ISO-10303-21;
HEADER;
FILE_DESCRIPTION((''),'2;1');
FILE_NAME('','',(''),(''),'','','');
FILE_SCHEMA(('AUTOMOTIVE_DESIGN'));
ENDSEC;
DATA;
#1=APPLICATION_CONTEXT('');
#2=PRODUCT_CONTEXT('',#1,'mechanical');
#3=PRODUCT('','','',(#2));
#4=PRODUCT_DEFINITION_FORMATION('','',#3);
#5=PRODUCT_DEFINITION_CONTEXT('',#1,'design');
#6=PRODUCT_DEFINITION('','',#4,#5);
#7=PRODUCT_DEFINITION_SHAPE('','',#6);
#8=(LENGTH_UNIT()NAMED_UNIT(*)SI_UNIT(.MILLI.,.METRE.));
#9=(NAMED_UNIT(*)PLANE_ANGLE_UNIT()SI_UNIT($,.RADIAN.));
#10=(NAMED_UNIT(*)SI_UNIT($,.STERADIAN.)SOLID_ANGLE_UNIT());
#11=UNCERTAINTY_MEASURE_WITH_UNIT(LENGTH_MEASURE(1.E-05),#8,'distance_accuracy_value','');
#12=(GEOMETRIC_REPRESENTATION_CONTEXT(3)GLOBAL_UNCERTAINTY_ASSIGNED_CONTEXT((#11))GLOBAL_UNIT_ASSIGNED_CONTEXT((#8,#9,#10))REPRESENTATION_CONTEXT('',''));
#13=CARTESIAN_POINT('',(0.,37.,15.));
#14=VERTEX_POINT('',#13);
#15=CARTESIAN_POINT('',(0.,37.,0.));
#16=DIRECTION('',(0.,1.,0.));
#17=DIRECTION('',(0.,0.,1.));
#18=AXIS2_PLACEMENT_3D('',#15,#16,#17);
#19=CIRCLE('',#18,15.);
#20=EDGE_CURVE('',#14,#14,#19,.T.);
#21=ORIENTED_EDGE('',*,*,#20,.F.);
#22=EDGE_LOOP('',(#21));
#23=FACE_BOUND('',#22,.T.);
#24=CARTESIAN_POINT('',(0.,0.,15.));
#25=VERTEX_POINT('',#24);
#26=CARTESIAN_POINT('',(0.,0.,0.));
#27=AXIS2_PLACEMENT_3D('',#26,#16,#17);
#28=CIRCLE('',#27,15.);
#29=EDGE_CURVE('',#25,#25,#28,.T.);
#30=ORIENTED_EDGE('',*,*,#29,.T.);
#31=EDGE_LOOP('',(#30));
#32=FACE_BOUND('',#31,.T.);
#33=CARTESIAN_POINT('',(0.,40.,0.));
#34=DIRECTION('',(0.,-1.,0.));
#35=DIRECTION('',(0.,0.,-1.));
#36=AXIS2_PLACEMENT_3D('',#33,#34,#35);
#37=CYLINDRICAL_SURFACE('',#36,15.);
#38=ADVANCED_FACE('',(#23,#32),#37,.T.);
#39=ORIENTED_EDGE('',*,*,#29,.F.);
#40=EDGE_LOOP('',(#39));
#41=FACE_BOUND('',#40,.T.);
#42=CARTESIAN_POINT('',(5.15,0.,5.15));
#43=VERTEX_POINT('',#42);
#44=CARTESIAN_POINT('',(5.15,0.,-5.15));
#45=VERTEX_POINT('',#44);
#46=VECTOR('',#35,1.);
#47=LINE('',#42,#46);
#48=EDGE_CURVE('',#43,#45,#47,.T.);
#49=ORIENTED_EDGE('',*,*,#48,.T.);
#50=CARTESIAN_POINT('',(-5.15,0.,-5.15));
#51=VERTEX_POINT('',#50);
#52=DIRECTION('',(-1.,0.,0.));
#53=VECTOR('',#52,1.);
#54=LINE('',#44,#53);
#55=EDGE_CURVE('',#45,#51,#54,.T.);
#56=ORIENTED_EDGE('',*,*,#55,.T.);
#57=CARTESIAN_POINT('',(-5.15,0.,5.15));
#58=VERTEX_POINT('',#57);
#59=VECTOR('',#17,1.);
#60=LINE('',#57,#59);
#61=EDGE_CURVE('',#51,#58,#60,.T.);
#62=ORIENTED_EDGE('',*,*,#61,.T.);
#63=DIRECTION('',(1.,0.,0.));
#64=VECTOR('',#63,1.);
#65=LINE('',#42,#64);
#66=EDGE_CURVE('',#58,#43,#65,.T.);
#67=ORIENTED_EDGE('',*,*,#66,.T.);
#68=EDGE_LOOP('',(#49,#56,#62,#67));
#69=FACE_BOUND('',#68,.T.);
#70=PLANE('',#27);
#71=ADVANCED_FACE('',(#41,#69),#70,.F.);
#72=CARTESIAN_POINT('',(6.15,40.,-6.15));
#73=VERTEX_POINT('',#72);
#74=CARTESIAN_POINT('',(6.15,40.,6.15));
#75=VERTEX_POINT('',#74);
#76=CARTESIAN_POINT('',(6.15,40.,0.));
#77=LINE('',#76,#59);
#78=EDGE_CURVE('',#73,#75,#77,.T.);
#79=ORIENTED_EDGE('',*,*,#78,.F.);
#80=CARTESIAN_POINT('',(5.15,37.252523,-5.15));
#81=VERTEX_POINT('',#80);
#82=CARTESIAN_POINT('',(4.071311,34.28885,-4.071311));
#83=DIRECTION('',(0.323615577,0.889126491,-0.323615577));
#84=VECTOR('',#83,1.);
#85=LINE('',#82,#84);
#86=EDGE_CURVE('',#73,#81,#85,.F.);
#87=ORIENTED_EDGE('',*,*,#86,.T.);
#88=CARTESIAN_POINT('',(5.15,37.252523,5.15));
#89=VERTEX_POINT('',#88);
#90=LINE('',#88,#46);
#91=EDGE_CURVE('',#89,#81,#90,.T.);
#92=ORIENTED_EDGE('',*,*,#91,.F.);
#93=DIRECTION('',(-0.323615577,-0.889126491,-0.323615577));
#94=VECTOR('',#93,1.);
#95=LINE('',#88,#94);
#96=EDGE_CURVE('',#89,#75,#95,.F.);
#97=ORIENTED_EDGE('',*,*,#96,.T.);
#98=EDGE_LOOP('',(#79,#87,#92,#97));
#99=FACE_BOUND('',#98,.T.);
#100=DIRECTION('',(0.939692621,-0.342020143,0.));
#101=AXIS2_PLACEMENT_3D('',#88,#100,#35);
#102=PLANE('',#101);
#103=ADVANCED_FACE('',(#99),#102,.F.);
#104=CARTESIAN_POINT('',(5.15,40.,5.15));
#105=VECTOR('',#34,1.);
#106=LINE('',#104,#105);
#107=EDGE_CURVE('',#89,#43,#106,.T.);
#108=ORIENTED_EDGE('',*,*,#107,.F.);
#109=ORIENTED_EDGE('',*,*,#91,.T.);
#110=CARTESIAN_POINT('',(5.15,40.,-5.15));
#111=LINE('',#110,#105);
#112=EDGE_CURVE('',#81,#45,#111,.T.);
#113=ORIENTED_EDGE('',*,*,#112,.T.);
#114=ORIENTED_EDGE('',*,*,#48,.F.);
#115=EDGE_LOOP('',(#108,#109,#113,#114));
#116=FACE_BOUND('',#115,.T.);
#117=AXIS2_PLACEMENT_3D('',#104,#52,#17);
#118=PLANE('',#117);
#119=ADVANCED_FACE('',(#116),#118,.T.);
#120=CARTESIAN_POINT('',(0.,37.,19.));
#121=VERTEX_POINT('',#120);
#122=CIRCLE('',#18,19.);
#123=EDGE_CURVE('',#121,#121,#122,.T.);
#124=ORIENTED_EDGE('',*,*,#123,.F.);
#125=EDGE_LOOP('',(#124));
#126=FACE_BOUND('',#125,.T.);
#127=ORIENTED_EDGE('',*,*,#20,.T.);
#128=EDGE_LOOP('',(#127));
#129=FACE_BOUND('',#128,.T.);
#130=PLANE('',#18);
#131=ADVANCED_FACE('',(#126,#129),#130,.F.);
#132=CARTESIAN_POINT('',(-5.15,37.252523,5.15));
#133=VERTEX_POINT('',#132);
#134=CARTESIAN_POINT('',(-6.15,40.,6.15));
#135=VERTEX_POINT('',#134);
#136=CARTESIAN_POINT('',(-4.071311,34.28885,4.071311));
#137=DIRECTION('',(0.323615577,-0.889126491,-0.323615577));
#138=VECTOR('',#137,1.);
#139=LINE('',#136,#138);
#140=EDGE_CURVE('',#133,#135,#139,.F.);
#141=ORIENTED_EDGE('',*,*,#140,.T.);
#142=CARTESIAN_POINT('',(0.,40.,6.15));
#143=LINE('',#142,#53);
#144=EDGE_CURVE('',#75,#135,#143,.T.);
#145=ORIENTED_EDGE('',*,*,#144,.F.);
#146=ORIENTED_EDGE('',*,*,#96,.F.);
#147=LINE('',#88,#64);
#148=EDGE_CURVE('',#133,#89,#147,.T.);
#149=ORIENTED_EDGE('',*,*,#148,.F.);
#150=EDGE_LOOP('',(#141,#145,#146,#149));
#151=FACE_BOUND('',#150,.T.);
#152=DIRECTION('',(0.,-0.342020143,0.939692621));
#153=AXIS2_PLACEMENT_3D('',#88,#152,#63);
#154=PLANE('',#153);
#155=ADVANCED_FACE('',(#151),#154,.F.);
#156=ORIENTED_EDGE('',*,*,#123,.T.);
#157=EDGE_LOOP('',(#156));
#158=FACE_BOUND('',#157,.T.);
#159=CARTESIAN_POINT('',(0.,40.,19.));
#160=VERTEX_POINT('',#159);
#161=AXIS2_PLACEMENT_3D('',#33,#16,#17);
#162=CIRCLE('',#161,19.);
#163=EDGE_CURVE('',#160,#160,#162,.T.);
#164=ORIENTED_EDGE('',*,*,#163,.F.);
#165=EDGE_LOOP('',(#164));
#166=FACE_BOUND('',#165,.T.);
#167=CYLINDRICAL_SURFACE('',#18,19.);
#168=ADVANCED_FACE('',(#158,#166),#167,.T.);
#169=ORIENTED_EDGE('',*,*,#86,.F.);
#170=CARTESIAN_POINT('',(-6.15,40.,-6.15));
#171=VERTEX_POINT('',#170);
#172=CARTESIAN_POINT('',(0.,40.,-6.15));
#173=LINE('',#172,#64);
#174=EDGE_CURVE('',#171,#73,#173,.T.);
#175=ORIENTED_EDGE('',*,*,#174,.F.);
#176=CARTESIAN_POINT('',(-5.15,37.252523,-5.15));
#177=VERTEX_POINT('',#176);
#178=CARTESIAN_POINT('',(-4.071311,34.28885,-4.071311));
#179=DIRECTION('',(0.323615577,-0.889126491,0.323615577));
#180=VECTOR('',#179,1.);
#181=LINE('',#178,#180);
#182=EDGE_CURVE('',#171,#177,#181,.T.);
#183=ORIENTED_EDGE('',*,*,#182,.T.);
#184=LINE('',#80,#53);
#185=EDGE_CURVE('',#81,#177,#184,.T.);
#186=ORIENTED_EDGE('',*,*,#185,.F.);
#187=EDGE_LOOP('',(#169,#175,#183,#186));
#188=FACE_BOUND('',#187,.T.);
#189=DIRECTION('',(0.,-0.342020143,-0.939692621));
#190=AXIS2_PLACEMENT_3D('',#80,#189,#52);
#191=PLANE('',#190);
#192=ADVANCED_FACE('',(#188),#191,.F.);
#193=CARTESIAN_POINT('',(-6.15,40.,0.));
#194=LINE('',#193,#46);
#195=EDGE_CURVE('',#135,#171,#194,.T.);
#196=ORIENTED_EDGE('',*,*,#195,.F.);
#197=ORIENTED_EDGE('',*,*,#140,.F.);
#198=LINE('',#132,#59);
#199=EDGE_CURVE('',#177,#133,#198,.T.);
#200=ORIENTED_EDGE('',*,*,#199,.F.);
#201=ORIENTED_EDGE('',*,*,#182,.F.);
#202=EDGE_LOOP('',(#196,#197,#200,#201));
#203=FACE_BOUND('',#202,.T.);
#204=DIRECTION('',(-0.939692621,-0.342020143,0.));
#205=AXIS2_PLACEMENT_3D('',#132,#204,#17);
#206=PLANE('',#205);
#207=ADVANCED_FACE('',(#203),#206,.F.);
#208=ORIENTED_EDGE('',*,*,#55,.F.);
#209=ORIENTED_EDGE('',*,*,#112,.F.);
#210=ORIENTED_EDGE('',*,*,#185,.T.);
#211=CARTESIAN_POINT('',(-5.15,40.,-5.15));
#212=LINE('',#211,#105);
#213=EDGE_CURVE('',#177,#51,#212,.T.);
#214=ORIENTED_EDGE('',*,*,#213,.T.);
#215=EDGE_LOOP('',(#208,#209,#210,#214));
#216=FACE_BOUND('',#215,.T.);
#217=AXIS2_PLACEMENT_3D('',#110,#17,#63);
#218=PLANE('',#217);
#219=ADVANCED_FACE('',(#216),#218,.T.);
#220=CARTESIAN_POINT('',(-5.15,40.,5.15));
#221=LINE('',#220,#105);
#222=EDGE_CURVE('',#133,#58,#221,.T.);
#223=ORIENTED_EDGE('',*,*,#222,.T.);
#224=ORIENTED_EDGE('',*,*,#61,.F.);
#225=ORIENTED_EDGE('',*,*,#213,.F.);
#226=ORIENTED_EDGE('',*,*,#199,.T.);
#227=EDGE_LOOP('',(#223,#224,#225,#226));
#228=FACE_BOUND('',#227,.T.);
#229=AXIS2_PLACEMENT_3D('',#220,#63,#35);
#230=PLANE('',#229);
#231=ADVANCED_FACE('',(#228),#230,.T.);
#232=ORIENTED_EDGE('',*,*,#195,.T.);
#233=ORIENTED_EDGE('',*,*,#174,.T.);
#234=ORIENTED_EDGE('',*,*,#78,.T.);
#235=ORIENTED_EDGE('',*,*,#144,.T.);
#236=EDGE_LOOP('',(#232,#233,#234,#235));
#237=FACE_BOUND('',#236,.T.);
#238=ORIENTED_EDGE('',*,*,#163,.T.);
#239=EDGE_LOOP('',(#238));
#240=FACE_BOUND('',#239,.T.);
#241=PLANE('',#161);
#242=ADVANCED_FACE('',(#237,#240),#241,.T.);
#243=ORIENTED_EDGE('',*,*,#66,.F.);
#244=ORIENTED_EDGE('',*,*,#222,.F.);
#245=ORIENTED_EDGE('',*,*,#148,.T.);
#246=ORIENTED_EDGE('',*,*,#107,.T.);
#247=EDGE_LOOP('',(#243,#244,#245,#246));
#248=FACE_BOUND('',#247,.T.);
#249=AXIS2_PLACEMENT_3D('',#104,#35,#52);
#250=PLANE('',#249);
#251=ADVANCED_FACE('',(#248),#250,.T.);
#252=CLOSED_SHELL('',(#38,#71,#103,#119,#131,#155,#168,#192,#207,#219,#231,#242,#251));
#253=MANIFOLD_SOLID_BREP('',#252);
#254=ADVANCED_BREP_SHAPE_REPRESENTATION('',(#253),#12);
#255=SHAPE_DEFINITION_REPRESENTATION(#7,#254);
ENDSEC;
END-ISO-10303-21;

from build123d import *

# Parameters (mm, degrees)
SKETCH_1_R          = 15
SKETCH_1_W          = 10.3
SKETCH_1_H          = 10.3
EXTRUDE_1_DEPTH     = 40
SKETCH1_R           = 19
SKETCH1_W           = 10.3
SKETCH1_H           = 10.3
BOSS_EXTRUDE1_DEPTH = 3
CHAMFER1_SIZE       = 1
CHAMFER1_SIZE2      = 2.747477419


with BuildPart() as part:
    # Эскиз1 → Бобышка-Вытянуть1 (new body)
    with BuildSketch(Plane(origin=(0, 0, 0), x_dir=(1, 0, 0), z_dir=(0, 1, 0))):
        Circle(SKETCH_1_R)
        Rectangle(SKETCH_1_W, SKETCH_1_H, mode=Mode.SUBTRACT)
    extrude(amount=EXTRUDE_1_DEPTH)

    # Sketch1 → Boss-Extrude1 (add)
    with BuildSketch(Plane(origin=(0, 40, 0), x_dir=(1, 0, 0), z_dir=(0, 1, 0))):
        Circle(SKETCH1_R)
        Rectangle(SKETCH1_W, SKETCH1_H, mode=Mode.SUBTRACT)
    extrude(amount=-BOSS_EXTRUDE1_DEPTH)

    # Chamfer1
    chamfer1_edges = [part.edges().sort_by_distance(p)[0] for p in [
        (0, 40, -5.15),
        (-5.15, 40, 0),
        (0, 40, 5.15),
        (5.15, 40, 0),
    ]]
    chamfer1_side = [part.faces().sort_by_distance(p)[0] for p in [
        (-18.462598846, 40, 0),
    ]]
    chamfer(chamfer1_edges, length=CHAMFER1_SIZE, length2=CHAMFER1_SIZE2, reference=chamfer1_side[0])


solid = part.part
